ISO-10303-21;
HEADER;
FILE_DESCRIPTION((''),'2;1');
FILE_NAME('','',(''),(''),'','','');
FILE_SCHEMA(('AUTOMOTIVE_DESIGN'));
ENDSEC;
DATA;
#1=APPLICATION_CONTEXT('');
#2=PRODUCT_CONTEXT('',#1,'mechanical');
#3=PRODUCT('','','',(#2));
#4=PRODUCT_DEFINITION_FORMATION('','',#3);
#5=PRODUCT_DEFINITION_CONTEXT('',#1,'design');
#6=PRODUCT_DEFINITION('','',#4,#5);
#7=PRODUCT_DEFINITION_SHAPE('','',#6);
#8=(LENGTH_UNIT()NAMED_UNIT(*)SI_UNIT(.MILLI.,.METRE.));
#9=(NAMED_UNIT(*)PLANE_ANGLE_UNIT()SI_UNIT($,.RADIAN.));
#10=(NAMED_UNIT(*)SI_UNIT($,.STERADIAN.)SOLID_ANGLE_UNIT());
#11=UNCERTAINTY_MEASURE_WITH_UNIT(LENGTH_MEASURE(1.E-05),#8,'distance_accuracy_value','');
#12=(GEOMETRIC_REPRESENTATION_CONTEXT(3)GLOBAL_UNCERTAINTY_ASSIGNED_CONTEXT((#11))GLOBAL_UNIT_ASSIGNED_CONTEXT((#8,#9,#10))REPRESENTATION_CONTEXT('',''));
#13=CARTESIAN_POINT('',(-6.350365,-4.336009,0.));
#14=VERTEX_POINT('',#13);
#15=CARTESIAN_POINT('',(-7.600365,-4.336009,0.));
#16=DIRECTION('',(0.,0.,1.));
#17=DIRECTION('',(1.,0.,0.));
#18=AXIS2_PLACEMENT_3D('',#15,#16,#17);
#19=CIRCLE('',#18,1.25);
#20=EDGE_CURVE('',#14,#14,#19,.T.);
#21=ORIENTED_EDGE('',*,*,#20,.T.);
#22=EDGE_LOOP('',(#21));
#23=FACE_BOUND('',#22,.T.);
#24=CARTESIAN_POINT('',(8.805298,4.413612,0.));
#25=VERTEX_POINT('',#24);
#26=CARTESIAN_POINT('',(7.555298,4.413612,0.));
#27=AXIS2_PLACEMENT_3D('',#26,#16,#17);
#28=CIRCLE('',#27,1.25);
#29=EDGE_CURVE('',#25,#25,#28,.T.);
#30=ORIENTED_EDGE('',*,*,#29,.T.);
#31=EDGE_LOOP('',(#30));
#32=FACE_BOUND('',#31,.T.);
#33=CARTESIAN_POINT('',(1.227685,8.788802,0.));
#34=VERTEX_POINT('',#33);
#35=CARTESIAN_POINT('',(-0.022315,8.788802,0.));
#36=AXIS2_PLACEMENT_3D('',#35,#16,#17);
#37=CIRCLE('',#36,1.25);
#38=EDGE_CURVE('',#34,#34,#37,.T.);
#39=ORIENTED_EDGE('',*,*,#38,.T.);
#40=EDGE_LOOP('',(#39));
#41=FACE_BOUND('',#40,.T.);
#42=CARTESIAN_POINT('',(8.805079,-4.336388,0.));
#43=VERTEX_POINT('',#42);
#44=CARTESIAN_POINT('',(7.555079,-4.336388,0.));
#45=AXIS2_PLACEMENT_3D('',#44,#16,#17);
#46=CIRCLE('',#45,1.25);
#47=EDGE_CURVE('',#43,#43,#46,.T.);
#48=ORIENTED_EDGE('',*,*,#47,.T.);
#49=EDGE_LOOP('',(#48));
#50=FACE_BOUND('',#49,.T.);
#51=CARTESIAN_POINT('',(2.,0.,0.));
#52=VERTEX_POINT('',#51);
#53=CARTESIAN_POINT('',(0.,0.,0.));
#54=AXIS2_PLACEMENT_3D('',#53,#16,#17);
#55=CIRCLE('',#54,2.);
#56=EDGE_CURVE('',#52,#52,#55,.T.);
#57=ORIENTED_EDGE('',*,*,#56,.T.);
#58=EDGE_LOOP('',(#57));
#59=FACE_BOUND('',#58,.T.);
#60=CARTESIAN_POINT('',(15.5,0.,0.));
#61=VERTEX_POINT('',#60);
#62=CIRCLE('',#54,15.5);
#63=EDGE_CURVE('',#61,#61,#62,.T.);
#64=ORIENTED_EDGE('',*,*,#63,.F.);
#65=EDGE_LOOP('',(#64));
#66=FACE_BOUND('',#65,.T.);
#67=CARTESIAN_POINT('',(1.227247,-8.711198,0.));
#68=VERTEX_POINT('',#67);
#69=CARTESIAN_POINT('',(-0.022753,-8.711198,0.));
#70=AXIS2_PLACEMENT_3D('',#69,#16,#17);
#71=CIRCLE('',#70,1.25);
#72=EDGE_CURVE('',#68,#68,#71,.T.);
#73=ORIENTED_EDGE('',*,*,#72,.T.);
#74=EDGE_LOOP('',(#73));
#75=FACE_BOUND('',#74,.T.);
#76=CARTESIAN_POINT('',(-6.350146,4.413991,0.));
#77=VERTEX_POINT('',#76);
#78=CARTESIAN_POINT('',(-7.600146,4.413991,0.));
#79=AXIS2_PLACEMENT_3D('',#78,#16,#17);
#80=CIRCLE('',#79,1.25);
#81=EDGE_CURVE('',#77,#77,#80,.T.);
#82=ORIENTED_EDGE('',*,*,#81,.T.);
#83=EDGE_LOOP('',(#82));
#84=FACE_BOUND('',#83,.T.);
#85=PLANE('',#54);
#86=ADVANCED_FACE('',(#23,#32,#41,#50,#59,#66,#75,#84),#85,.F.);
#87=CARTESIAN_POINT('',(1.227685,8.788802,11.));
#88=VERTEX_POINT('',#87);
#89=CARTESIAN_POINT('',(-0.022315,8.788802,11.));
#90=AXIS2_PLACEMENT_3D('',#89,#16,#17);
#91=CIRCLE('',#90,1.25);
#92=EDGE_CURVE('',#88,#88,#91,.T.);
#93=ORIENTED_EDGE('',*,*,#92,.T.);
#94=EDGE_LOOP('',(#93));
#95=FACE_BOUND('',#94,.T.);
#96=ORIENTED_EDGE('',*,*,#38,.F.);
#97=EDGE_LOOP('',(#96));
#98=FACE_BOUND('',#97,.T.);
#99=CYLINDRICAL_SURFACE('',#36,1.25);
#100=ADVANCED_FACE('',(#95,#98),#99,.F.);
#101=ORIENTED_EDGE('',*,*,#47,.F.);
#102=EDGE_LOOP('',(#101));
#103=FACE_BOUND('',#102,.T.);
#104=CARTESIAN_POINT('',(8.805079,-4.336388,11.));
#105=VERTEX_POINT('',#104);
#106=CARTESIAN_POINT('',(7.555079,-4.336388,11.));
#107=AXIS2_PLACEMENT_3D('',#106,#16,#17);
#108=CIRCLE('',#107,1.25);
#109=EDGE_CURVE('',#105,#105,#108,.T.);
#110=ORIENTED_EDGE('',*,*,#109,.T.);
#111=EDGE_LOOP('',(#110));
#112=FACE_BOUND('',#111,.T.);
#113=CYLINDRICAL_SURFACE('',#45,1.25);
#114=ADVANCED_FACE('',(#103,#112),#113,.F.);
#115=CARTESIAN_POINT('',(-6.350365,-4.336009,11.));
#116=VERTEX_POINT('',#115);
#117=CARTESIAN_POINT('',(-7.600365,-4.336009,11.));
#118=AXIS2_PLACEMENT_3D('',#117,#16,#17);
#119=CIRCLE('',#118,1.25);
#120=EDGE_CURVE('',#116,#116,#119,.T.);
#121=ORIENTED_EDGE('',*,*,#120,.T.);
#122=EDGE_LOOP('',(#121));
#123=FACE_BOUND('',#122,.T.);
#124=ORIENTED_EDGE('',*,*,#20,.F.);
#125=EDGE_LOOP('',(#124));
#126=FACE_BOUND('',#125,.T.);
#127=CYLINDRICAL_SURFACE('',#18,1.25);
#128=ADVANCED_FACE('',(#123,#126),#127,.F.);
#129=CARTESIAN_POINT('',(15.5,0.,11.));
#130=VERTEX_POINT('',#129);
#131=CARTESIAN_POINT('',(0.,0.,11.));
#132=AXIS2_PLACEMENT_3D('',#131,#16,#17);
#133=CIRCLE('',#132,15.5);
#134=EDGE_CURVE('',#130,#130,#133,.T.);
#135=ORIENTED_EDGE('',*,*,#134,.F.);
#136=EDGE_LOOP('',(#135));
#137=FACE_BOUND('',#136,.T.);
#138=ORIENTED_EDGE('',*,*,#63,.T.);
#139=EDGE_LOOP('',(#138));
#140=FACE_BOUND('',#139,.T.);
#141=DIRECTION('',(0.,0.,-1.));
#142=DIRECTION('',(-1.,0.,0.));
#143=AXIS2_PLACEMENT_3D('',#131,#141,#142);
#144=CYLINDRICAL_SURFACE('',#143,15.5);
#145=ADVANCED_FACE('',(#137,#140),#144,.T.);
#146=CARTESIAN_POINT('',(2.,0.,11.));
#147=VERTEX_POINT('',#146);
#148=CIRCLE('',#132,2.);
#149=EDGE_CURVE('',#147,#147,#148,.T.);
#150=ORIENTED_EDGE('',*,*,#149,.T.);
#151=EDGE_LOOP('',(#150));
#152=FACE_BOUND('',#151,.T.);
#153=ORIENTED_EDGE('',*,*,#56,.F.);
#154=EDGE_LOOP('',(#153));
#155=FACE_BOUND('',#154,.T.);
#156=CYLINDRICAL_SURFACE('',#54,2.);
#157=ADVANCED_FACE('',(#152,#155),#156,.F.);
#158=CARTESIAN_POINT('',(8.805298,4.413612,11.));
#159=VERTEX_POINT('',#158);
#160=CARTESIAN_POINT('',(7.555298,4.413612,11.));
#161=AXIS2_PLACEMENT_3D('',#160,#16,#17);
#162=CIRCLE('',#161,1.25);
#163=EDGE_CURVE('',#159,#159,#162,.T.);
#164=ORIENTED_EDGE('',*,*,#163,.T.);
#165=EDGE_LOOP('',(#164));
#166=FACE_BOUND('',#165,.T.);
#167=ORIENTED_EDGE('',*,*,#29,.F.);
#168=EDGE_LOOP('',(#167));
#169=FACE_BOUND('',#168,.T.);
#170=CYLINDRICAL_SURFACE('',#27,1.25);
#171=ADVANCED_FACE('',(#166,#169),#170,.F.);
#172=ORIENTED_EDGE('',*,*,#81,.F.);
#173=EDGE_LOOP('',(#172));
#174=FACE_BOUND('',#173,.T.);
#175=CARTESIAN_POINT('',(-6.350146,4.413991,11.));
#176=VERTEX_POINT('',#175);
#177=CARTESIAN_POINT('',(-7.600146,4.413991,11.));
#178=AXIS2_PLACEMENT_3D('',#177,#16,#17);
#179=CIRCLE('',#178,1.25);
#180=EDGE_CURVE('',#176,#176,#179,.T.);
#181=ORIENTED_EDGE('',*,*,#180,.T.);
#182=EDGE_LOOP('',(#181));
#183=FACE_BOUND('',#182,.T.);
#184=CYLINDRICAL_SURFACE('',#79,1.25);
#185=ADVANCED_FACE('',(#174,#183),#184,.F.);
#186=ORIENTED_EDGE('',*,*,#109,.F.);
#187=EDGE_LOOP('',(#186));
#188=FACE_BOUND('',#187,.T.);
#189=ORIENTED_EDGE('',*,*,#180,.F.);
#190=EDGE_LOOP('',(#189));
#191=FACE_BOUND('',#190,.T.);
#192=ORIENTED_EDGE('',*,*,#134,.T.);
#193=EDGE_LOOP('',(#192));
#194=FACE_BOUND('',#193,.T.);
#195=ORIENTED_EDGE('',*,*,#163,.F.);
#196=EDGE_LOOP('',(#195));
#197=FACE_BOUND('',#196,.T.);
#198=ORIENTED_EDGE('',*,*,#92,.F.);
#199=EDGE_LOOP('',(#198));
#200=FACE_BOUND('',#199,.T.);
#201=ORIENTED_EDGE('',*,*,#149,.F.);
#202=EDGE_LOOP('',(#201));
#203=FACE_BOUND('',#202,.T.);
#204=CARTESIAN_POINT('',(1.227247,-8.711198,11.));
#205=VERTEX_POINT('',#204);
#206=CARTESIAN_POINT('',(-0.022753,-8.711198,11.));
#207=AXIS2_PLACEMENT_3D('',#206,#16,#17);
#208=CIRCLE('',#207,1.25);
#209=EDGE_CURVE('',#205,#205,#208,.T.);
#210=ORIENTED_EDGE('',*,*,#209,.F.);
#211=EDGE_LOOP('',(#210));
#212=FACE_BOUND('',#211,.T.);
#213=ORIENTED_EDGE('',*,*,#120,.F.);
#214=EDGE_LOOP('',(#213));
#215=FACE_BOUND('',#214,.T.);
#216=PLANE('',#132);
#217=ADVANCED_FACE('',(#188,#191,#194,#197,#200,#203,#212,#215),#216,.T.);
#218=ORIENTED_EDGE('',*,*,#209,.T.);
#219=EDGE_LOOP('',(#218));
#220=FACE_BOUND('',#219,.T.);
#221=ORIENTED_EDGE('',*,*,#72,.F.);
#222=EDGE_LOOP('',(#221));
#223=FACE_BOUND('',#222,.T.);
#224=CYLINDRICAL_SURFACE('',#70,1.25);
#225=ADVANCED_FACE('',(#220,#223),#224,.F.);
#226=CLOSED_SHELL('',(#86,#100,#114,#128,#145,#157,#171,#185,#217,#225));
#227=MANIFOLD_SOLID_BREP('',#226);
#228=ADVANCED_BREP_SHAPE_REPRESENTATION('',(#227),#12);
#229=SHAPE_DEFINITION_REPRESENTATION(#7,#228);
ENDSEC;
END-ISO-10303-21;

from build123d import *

# Parameters (mm, degrees)
SKETCH1_R           = 15.5
BOSS_EXTRUDE1_DEPTH = 11
SKETCH2_R           = 2
SKETCH2_R_2         = 1.25
CUT_EXTRUDE1_DEPTH  = 11


with BuildPart() as part:
    # Sketch1 → Boss-Extrude1 (new body)
    with BuildSketch(Plane.XY):
        Circle(SKETCH1_R)
    extrude(amount=BOSS_EXTRUDE1_DEPTH)

    # Sketch2 → Cut-Extrude1 (cut)
    with BuildSketch(Plane.XY.offset(11)):
        Circle(SKETCH2_R)
        with Locations((7.555298175, 4.413611842)):
            Circle(SKETCH2_R_2)
        with Locations((7.555079083, -4.336388156)):
            Circle(SKETCH2_R_2)
        with Locations((-0.022752744, -8.711198415)):
            Circle(SKETCH2_R_2)
        with Locations((-7.600365479, -4.336008677)):
            Circle(SKETCH2_R_2)
        with Locations((-7.600146387, 4.413991321)):
            Circle(SKETCH2_R_2)
        with Locations((-0.02231456, 8.78880158)):
            Circle(SKETCH2_R_2)
    extrude(amount=-CUT_EXTRUDE1_DEPTH, mode=Mode.SUBTRACT)


solid = part.part
